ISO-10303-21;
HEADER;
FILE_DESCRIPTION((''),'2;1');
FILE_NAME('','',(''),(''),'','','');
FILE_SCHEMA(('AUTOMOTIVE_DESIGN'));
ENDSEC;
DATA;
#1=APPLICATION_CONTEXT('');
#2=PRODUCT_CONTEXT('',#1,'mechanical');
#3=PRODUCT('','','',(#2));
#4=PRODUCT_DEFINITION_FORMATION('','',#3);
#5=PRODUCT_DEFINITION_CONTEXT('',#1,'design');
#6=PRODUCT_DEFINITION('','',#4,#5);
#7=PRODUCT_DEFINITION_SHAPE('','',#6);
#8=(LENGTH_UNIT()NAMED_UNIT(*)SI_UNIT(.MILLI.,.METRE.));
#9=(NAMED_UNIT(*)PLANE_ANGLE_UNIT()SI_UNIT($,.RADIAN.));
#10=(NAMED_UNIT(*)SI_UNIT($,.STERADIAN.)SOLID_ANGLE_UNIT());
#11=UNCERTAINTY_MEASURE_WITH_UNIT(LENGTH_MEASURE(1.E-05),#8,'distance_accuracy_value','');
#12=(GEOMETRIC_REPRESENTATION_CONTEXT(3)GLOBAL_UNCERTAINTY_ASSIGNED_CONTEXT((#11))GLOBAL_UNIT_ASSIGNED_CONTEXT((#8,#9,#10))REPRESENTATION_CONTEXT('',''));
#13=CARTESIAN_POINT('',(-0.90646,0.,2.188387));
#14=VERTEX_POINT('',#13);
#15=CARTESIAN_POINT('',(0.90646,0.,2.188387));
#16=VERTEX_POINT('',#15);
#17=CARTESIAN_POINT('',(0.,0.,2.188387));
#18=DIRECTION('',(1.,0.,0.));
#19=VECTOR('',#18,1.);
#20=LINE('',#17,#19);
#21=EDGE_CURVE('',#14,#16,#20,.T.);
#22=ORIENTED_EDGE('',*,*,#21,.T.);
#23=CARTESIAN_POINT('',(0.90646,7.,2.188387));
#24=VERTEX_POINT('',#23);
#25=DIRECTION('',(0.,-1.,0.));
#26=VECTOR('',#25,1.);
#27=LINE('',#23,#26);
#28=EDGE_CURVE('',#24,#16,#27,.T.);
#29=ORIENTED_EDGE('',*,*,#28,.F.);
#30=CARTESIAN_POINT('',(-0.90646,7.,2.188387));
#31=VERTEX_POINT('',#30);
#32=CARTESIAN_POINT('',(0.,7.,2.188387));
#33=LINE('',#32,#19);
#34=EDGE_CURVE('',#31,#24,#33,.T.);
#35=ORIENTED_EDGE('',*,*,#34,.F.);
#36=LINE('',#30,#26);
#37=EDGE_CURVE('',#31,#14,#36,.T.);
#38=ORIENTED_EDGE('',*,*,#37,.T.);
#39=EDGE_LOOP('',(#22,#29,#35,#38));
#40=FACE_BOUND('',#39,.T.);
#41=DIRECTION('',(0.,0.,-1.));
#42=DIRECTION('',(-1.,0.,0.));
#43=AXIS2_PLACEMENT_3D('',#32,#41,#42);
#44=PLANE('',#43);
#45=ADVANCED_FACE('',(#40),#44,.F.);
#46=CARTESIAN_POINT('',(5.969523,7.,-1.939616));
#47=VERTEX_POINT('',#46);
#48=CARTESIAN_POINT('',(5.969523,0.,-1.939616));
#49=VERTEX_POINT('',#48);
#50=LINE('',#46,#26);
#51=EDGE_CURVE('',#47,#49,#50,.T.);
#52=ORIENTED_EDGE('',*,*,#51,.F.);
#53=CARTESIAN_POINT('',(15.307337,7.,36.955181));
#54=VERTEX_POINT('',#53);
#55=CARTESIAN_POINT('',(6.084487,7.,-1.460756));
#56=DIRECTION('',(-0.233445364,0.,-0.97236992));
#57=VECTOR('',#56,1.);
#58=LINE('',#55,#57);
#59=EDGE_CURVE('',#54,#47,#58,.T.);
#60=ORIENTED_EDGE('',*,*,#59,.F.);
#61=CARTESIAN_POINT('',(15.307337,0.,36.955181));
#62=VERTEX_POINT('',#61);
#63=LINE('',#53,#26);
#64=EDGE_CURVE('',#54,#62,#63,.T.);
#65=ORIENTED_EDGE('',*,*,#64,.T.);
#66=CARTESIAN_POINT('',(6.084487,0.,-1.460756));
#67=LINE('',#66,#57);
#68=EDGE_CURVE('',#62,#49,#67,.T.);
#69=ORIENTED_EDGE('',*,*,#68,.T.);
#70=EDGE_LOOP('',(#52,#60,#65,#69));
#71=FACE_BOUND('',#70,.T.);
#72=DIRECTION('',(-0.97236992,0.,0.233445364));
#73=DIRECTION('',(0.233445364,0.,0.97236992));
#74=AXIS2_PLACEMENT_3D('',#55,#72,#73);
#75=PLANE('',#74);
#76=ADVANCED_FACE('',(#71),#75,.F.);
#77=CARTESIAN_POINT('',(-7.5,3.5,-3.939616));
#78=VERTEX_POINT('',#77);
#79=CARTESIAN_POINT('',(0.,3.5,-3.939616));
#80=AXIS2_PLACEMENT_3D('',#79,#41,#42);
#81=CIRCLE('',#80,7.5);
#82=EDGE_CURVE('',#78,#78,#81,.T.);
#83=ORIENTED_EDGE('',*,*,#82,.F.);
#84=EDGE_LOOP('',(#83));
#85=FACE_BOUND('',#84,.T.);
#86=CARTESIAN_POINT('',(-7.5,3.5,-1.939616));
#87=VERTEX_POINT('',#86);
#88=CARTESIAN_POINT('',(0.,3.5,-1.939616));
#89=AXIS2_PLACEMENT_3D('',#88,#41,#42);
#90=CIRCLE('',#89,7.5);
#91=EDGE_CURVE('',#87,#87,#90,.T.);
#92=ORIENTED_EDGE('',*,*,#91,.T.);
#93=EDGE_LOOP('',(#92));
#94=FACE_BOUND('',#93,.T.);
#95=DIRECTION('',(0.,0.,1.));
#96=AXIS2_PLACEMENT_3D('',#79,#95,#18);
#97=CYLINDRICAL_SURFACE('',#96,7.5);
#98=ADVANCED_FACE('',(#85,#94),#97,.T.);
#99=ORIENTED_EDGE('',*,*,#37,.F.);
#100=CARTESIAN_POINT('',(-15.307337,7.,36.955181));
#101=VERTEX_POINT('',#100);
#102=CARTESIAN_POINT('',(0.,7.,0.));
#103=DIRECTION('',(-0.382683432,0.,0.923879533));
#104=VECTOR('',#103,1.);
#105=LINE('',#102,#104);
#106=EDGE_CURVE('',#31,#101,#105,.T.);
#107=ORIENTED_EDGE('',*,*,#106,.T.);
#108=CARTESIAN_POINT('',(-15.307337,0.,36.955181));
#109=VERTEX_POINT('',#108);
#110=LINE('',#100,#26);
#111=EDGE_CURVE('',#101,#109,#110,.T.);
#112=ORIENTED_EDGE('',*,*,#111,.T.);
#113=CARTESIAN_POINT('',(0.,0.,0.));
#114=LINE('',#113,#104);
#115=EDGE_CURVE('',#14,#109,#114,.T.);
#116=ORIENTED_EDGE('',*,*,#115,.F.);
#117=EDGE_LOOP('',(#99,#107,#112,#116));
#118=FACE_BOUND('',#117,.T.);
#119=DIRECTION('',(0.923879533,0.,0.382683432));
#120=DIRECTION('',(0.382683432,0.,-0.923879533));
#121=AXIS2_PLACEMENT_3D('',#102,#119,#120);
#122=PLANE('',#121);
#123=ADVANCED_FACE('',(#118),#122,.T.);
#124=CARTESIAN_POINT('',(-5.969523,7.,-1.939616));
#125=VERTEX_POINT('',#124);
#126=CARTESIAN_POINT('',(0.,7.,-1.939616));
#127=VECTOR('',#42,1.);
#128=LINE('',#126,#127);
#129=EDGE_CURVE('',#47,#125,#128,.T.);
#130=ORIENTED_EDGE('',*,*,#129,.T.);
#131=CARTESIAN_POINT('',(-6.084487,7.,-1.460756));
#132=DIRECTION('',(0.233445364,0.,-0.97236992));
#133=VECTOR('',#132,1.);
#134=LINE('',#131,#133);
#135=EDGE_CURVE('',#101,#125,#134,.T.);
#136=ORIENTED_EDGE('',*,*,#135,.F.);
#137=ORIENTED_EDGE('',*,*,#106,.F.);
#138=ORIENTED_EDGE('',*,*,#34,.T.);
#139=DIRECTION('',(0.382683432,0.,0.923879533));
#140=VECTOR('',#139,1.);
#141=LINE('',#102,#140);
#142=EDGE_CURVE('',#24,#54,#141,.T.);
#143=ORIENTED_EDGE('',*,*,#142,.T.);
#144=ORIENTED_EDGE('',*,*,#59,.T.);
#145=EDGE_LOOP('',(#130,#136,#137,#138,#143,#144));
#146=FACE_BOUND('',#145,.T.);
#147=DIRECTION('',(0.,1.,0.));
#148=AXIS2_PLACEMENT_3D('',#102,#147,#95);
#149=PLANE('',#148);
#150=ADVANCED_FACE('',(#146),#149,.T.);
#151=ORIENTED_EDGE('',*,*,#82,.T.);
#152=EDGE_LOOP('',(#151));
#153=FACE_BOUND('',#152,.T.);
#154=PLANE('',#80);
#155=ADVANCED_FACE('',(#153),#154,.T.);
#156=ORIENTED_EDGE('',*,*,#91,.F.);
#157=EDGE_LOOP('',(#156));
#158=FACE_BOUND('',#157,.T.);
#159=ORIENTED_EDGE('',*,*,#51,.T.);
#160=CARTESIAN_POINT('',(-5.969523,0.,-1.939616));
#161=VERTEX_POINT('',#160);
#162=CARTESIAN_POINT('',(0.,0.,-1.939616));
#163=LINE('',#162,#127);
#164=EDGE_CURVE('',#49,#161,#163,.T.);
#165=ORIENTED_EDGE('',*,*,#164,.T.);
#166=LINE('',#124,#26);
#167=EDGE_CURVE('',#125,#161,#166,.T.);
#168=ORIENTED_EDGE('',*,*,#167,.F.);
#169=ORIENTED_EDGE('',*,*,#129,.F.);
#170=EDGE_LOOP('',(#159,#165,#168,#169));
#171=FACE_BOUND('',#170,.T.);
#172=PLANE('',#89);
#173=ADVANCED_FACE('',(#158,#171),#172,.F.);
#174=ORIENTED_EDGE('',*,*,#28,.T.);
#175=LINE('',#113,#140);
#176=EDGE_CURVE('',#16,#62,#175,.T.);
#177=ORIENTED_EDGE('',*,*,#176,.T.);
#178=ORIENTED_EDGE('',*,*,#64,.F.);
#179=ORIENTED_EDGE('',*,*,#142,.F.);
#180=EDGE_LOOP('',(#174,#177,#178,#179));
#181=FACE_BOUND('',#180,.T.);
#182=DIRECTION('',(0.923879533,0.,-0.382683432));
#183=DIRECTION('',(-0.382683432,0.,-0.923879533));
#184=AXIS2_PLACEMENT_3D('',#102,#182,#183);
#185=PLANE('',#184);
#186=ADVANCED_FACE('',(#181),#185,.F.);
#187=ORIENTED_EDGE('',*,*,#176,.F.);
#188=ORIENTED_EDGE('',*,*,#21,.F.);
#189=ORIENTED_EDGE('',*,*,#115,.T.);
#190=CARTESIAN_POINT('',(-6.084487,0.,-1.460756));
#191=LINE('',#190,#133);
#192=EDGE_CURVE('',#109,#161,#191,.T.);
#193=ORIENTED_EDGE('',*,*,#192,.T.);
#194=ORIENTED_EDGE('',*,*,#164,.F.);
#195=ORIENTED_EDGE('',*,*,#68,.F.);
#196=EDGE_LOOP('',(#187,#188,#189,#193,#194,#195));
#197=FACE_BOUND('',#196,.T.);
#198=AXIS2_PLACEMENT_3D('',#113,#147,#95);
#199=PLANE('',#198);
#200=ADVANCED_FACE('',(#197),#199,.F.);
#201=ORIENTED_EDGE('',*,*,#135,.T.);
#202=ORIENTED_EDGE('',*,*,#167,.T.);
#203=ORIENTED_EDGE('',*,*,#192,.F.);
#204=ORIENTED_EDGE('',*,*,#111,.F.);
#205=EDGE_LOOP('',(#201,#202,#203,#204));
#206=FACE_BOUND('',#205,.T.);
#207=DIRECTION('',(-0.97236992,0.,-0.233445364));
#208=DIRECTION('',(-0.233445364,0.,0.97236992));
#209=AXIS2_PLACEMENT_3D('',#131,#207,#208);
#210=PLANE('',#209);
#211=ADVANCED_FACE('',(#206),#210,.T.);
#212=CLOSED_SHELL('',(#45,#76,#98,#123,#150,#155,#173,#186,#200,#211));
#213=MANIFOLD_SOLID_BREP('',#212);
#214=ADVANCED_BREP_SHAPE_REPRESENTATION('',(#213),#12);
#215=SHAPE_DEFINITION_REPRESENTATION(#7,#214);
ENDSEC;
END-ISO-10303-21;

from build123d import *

# Parameters (mm, degrees)
BOSS_EXTRUDE1_DEPTH = 7
SKETCH2_R           = 7.5
BOSS_EXTRUDE2_DEPTH = 2


with BuildPart() as part:
    # Sketch1 → Boss-Extrude1 (new body)
    with BuildSketch(Plane(origin=(0, 0, 0), x_dir=(1, 0, 0), z_dir=(0, 1, 0))):
        Polygon((-15.307337295, -36.9551813), (-5.96952274, 1.939615515), (5.96952274, 1.939615515), (15.307337295, -36.9551813), (0.906459551, -2.188386941), (-0.906459551, -2.188386941), align=None)
    extrude(amount=BOSS_EXTRUDE1_DEPTH)

    # Sketch2 → Boss-Extrude2 (add)
    with BuildSketch(Plane(origin=(0, 0, -1.939615515), x_dir=(-1, 0, 0), z_dir=(0, 0, -1))):
        with Locations((0, 3.5)):
            Circle(SKETCH2_R)
    extrude(amount=BOSS_EXTRUDE2_DEPTH)


solid = part.part
